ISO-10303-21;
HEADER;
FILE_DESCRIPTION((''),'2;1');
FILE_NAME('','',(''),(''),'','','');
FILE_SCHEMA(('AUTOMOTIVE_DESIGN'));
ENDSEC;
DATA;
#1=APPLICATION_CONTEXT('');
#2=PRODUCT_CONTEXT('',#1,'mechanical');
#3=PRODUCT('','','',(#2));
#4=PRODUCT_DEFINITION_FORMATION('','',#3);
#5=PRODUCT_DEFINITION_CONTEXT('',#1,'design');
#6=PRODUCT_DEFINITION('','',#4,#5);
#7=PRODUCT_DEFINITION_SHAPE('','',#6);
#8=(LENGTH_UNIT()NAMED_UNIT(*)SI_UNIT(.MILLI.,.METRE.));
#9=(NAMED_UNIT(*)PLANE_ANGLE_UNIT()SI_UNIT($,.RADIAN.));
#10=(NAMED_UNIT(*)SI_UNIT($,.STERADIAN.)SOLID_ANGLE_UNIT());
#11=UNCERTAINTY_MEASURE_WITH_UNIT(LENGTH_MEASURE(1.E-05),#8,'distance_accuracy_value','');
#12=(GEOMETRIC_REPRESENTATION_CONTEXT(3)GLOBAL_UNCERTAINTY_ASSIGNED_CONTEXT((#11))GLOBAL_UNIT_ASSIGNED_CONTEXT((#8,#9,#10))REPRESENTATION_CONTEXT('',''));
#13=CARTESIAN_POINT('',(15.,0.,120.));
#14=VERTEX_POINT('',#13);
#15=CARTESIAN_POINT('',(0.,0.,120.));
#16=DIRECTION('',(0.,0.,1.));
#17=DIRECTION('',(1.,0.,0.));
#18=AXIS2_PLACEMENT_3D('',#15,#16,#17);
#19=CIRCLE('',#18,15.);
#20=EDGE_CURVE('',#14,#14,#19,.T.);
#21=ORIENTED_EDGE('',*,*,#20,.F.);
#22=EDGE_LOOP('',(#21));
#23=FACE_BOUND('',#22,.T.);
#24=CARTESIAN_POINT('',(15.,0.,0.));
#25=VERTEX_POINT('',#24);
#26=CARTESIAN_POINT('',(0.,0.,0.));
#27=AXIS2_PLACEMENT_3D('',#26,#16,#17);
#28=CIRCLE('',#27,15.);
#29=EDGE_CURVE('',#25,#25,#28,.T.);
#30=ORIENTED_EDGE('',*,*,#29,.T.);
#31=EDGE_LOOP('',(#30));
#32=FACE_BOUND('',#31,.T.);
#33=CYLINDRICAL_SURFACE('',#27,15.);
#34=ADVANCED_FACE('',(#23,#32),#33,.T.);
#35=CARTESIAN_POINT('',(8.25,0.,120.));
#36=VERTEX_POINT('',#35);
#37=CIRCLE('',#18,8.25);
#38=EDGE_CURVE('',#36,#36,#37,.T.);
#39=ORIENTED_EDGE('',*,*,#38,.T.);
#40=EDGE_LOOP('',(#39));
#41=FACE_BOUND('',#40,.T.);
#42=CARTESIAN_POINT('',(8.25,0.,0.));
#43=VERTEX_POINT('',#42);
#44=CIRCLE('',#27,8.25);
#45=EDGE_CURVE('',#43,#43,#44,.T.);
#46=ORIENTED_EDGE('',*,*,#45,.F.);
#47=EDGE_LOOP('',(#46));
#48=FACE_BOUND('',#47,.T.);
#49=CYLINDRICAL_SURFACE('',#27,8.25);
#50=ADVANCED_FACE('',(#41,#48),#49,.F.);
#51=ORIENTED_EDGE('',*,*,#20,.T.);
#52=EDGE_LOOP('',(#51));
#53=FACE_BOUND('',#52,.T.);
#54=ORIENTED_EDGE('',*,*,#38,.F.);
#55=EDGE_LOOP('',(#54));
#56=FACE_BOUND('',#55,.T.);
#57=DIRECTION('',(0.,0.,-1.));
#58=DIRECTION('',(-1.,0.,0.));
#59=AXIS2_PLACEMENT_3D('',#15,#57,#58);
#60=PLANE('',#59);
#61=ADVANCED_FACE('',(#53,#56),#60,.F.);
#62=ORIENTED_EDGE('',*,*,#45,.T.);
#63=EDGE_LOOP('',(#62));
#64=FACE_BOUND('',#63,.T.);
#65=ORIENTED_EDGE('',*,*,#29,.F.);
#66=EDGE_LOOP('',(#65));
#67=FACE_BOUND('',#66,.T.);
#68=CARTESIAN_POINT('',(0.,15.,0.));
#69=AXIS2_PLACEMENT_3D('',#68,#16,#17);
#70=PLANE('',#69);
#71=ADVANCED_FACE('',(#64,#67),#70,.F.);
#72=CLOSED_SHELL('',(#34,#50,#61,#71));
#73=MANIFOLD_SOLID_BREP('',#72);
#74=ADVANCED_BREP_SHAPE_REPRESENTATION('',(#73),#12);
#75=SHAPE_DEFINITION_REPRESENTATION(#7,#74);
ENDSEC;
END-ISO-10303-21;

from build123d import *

# Parameters (mm, degrees)
SZKIC1_W = 120
SZKIC1_H = 15
SZKIC2_W = 120
SZKIC2_H = 8.25


with BuildPart() as part:
    # Szkic1 → Obrót1 (revolve)
    with BuildSketch(Plane(origin=(0, 0, 0), x_dir=(0, 0, -1), z_dir=(1, 0, 0))):
        with Locations((-60, 7.5)):
            Rectangle(SZKIC1_W, SZKIC1_H)
    revolve(axis=Axis((0, 0, 0), (0, 0, 1)))

    # Szkic2 → Wycięcie-obrót1 (revolve, cut)
    with BuildSketch(Plane(origin=(0, 0, 0), x_dir=(0, 0, -1), z_dir=(1, 0, 0))):
        with Locations((-60, 4.125)):
            Rectangle(SZKIC2_W, SZKIC2_H)
    revolve(axis=Axis((0, 0, 0), (0, 0, 1)), mode=Mode.SUBTRACT)


solid = part.part
